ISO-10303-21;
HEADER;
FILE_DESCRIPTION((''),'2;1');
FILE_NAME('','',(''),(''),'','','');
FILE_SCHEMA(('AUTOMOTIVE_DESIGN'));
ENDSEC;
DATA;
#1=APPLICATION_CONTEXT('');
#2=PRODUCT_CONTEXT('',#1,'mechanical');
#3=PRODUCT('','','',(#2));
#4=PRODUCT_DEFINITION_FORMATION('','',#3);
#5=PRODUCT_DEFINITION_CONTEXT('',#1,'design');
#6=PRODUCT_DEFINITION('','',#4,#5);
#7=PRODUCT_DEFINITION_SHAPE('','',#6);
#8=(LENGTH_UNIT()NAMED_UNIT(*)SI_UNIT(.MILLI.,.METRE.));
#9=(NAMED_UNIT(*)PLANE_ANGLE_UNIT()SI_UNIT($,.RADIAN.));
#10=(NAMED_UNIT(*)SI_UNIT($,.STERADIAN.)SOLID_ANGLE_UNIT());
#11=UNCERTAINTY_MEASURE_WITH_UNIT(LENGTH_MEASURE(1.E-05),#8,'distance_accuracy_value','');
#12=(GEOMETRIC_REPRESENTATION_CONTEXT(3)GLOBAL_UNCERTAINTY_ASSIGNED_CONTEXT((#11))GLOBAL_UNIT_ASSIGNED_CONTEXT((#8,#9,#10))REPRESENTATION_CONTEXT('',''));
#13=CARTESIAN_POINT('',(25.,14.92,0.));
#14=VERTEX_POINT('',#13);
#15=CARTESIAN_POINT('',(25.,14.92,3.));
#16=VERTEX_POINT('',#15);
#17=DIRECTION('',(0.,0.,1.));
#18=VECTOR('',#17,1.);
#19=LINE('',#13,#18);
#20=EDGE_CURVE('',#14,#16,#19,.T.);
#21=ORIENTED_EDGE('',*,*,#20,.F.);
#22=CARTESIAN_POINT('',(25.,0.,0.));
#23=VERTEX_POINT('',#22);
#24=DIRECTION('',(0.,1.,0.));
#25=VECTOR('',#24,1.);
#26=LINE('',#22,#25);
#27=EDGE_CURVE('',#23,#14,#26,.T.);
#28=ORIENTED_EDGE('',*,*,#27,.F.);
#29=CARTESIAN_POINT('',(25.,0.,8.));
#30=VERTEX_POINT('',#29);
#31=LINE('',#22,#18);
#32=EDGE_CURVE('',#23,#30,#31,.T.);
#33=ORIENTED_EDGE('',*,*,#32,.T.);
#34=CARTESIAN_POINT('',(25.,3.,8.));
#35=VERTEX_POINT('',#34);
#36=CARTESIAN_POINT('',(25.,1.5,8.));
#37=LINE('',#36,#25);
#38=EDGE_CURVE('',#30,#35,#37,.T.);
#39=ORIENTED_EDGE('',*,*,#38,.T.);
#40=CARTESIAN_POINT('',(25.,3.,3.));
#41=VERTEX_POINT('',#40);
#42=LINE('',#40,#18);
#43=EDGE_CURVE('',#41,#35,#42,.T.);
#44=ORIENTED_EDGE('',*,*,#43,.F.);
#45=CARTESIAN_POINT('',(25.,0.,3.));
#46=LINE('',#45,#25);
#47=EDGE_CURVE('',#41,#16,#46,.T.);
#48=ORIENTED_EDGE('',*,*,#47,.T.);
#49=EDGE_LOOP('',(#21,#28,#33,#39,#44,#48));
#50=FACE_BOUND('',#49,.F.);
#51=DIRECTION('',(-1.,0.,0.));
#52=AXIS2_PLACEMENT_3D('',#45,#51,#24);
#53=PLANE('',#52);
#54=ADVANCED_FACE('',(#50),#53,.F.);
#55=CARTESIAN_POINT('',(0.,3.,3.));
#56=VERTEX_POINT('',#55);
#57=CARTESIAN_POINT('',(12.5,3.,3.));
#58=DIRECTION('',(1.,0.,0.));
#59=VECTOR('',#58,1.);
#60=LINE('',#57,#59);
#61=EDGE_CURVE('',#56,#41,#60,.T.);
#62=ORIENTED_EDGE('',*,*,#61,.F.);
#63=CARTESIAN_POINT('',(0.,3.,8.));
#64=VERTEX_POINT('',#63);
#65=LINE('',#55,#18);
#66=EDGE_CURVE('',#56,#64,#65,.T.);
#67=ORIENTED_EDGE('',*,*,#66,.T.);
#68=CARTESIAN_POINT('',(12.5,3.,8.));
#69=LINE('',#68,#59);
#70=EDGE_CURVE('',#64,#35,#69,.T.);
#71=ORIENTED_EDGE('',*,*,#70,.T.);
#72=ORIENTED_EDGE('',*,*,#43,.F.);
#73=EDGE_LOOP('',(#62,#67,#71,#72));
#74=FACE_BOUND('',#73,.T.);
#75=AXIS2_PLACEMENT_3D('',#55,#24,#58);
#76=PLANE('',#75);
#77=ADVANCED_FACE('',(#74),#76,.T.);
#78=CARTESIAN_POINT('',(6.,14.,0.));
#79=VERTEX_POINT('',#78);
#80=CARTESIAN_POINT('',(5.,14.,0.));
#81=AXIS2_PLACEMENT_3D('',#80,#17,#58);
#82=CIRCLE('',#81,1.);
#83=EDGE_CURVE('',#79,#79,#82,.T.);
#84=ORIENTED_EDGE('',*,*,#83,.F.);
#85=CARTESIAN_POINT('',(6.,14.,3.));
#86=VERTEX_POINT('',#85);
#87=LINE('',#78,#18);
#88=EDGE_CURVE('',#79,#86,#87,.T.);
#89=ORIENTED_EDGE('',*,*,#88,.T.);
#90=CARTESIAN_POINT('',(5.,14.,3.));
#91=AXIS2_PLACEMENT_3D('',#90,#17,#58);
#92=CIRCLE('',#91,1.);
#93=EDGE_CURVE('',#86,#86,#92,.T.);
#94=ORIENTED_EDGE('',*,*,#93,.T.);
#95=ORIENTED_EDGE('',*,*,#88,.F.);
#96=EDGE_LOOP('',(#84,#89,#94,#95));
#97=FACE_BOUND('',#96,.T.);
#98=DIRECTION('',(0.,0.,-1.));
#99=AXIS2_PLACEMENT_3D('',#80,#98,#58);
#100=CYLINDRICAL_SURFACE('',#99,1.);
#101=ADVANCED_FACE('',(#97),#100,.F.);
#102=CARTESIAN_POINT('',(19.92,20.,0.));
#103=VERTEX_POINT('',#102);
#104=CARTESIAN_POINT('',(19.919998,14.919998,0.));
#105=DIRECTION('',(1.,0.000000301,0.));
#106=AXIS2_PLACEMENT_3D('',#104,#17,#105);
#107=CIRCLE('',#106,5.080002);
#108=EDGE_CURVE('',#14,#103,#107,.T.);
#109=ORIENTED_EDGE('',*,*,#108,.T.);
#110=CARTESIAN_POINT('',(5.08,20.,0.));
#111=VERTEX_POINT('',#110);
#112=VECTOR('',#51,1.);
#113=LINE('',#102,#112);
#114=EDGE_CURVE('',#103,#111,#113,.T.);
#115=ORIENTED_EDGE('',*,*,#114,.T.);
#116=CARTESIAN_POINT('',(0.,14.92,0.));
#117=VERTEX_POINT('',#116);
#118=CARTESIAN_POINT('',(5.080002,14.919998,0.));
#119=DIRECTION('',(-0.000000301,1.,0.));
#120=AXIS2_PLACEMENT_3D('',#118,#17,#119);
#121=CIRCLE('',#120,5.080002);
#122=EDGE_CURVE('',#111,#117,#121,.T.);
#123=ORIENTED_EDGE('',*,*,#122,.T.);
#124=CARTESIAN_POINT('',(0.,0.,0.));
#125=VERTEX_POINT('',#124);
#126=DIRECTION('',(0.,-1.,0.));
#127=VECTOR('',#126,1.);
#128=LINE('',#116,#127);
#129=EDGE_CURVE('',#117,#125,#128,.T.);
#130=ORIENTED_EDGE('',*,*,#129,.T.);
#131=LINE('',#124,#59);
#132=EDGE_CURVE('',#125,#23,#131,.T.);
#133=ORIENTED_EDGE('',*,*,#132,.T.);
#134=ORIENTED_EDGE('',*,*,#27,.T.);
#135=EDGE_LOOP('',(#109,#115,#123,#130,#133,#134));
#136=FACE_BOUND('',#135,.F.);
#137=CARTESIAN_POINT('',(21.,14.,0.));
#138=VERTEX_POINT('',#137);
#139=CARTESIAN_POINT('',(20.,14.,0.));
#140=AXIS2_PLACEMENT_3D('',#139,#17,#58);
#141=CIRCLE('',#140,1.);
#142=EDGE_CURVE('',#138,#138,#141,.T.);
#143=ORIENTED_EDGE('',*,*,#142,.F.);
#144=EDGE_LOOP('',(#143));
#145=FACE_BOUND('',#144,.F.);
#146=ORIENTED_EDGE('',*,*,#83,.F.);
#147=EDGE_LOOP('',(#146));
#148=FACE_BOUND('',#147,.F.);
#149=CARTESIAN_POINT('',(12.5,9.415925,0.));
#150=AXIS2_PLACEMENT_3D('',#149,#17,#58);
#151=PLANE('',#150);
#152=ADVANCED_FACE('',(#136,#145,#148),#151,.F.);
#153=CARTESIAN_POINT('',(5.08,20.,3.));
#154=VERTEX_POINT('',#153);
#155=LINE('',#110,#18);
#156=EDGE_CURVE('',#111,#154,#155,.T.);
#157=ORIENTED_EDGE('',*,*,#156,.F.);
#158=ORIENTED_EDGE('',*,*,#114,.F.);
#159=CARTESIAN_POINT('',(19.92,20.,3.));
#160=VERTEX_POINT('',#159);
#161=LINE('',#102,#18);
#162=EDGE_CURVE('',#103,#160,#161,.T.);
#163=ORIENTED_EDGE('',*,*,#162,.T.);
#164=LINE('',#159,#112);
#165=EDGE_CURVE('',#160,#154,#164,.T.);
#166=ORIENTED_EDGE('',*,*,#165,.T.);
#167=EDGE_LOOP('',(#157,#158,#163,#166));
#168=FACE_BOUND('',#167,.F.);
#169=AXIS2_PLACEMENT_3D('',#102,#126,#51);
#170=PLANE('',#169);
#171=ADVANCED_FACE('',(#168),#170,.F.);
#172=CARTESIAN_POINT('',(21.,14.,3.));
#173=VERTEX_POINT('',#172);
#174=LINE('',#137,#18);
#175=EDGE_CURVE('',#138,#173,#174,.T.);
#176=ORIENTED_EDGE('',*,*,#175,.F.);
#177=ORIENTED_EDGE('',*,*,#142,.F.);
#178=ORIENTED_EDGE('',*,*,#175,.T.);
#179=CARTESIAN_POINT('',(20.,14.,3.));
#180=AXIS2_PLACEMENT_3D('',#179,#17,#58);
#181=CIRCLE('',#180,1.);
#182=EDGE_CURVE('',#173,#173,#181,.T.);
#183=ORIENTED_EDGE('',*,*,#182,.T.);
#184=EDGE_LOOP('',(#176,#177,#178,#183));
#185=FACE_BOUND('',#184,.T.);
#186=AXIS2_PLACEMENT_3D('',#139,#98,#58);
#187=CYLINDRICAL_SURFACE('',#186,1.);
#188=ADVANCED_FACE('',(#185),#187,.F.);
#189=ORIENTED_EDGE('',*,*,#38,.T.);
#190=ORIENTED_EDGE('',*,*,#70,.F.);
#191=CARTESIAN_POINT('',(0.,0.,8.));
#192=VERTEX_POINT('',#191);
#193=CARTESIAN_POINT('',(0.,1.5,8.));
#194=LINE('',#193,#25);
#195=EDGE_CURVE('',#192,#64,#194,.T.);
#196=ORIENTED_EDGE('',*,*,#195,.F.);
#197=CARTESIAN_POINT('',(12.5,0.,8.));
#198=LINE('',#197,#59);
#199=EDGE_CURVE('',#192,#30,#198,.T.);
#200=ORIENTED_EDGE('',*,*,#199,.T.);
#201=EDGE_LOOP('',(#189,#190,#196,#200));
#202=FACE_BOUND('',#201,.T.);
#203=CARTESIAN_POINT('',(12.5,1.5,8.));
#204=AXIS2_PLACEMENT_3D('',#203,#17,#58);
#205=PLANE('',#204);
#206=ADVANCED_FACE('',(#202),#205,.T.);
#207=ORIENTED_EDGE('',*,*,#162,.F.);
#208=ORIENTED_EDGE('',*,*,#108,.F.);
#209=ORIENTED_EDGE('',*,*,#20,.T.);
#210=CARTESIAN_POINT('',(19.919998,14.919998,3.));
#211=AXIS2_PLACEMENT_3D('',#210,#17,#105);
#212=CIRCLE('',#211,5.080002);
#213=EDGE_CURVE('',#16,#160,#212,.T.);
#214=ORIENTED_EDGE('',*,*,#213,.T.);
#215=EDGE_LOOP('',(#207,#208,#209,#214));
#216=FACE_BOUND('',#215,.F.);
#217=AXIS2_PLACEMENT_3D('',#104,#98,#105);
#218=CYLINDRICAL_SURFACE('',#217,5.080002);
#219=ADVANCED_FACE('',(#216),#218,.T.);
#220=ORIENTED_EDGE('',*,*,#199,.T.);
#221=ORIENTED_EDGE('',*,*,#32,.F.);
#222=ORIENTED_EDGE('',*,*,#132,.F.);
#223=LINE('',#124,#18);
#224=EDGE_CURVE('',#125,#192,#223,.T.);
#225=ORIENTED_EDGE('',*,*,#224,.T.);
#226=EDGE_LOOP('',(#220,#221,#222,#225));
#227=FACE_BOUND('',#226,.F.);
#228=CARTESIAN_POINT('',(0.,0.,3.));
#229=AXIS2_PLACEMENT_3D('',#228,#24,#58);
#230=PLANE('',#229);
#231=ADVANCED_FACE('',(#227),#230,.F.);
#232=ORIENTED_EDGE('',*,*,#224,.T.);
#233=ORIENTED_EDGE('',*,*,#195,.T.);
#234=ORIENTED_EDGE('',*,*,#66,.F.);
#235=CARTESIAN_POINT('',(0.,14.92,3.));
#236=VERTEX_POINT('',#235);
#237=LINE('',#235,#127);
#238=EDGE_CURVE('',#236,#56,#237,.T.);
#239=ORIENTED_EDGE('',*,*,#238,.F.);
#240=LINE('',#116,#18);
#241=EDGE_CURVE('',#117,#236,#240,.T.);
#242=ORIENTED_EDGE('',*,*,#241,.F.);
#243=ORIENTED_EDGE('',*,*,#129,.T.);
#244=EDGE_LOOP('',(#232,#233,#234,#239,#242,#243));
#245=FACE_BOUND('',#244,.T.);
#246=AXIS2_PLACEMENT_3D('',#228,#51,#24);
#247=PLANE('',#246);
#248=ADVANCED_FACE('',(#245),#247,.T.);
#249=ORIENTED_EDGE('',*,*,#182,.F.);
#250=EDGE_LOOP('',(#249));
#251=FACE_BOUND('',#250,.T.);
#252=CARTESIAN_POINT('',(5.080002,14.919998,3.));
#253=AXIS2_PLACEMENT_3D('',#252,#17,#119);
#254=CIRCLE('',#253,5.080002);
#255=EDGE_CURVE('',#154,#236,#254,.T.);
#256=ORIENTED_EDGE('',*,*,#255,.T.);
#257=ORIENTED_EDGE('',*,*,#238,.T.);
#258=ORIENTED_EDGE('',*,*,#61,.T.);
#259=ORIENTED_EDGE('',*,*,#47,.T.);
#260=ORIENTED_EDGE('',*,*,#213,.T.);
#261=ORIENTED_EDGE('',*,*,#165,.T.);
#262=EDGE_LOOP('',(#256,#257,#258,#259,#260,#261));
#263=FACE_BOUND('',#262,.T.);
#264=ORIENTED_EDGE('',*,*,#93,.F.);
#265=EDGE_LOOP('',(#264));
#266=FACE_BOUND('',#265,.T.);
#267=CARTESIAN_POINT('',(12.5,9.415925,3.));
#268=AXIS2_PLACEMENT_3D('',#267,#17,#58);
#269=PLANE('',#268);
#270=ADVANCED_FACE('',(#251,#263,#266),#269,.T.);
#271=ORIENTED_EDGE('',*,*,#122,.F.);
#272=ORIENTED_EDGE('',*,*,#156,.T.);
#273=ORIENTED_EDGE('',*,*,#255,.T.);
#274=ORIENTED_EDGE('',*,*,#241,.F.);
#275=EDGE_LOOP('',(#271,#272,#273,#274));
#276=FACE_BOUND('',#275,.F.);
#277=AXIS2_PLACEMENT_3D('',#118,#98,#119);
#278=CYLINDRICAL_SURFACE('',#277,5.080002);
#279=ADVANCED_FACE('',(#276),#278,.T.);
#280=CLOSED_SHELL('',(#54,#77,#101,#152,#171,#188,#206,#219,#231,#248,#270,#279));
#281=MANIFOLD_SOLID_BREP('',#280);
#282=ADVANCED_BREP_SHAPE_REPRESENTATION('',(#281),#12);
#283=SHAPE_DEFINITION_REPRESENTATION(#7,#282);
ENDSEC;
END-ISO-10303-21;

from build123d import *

# Parameters (mm, degrees)
F0_R     = 1
F1_DEPTH = 3
F2_W     = 25
F2_H     = 3
F3_DEPTH = 5


with BuildPart() as f1:
    # F0 (on Top) → F1 (new body)
    with BuildSketch(Plane.XY):
        with BuildLine():
            Line((0, 14.92), (0, 0))
            Line((0, 0), (25, 0))
            Line((25, 0), (25, 14.92))
            ThreePointArc((25, 14.92), (23.512102, 18.512102), (19.92, 20))
            Line((19.92, 20), (5.08, 20))
            ThreePointArc((5.08, 20), (1.487898, 18.512102), (0, 14.92))
        make_face()
        with Locations((5, 14)):
            Circle(F0_R, mode=Mode.SUBTRACT)
        with Locations((20, 14)):
            Circle(F0_R, mode=Mode.SUBTRACT)
    extrude(amount=F1_DEPTH)

    # F2 (on face) → F3 (join)
    with BuildSketch(Plane.XY.offset(3)):
        with Locations((12.5, 1.5)):
            Rectangle(F2_W, F2_H)
    extrude(amount=F3_DEPTH)


solid = f1.part
